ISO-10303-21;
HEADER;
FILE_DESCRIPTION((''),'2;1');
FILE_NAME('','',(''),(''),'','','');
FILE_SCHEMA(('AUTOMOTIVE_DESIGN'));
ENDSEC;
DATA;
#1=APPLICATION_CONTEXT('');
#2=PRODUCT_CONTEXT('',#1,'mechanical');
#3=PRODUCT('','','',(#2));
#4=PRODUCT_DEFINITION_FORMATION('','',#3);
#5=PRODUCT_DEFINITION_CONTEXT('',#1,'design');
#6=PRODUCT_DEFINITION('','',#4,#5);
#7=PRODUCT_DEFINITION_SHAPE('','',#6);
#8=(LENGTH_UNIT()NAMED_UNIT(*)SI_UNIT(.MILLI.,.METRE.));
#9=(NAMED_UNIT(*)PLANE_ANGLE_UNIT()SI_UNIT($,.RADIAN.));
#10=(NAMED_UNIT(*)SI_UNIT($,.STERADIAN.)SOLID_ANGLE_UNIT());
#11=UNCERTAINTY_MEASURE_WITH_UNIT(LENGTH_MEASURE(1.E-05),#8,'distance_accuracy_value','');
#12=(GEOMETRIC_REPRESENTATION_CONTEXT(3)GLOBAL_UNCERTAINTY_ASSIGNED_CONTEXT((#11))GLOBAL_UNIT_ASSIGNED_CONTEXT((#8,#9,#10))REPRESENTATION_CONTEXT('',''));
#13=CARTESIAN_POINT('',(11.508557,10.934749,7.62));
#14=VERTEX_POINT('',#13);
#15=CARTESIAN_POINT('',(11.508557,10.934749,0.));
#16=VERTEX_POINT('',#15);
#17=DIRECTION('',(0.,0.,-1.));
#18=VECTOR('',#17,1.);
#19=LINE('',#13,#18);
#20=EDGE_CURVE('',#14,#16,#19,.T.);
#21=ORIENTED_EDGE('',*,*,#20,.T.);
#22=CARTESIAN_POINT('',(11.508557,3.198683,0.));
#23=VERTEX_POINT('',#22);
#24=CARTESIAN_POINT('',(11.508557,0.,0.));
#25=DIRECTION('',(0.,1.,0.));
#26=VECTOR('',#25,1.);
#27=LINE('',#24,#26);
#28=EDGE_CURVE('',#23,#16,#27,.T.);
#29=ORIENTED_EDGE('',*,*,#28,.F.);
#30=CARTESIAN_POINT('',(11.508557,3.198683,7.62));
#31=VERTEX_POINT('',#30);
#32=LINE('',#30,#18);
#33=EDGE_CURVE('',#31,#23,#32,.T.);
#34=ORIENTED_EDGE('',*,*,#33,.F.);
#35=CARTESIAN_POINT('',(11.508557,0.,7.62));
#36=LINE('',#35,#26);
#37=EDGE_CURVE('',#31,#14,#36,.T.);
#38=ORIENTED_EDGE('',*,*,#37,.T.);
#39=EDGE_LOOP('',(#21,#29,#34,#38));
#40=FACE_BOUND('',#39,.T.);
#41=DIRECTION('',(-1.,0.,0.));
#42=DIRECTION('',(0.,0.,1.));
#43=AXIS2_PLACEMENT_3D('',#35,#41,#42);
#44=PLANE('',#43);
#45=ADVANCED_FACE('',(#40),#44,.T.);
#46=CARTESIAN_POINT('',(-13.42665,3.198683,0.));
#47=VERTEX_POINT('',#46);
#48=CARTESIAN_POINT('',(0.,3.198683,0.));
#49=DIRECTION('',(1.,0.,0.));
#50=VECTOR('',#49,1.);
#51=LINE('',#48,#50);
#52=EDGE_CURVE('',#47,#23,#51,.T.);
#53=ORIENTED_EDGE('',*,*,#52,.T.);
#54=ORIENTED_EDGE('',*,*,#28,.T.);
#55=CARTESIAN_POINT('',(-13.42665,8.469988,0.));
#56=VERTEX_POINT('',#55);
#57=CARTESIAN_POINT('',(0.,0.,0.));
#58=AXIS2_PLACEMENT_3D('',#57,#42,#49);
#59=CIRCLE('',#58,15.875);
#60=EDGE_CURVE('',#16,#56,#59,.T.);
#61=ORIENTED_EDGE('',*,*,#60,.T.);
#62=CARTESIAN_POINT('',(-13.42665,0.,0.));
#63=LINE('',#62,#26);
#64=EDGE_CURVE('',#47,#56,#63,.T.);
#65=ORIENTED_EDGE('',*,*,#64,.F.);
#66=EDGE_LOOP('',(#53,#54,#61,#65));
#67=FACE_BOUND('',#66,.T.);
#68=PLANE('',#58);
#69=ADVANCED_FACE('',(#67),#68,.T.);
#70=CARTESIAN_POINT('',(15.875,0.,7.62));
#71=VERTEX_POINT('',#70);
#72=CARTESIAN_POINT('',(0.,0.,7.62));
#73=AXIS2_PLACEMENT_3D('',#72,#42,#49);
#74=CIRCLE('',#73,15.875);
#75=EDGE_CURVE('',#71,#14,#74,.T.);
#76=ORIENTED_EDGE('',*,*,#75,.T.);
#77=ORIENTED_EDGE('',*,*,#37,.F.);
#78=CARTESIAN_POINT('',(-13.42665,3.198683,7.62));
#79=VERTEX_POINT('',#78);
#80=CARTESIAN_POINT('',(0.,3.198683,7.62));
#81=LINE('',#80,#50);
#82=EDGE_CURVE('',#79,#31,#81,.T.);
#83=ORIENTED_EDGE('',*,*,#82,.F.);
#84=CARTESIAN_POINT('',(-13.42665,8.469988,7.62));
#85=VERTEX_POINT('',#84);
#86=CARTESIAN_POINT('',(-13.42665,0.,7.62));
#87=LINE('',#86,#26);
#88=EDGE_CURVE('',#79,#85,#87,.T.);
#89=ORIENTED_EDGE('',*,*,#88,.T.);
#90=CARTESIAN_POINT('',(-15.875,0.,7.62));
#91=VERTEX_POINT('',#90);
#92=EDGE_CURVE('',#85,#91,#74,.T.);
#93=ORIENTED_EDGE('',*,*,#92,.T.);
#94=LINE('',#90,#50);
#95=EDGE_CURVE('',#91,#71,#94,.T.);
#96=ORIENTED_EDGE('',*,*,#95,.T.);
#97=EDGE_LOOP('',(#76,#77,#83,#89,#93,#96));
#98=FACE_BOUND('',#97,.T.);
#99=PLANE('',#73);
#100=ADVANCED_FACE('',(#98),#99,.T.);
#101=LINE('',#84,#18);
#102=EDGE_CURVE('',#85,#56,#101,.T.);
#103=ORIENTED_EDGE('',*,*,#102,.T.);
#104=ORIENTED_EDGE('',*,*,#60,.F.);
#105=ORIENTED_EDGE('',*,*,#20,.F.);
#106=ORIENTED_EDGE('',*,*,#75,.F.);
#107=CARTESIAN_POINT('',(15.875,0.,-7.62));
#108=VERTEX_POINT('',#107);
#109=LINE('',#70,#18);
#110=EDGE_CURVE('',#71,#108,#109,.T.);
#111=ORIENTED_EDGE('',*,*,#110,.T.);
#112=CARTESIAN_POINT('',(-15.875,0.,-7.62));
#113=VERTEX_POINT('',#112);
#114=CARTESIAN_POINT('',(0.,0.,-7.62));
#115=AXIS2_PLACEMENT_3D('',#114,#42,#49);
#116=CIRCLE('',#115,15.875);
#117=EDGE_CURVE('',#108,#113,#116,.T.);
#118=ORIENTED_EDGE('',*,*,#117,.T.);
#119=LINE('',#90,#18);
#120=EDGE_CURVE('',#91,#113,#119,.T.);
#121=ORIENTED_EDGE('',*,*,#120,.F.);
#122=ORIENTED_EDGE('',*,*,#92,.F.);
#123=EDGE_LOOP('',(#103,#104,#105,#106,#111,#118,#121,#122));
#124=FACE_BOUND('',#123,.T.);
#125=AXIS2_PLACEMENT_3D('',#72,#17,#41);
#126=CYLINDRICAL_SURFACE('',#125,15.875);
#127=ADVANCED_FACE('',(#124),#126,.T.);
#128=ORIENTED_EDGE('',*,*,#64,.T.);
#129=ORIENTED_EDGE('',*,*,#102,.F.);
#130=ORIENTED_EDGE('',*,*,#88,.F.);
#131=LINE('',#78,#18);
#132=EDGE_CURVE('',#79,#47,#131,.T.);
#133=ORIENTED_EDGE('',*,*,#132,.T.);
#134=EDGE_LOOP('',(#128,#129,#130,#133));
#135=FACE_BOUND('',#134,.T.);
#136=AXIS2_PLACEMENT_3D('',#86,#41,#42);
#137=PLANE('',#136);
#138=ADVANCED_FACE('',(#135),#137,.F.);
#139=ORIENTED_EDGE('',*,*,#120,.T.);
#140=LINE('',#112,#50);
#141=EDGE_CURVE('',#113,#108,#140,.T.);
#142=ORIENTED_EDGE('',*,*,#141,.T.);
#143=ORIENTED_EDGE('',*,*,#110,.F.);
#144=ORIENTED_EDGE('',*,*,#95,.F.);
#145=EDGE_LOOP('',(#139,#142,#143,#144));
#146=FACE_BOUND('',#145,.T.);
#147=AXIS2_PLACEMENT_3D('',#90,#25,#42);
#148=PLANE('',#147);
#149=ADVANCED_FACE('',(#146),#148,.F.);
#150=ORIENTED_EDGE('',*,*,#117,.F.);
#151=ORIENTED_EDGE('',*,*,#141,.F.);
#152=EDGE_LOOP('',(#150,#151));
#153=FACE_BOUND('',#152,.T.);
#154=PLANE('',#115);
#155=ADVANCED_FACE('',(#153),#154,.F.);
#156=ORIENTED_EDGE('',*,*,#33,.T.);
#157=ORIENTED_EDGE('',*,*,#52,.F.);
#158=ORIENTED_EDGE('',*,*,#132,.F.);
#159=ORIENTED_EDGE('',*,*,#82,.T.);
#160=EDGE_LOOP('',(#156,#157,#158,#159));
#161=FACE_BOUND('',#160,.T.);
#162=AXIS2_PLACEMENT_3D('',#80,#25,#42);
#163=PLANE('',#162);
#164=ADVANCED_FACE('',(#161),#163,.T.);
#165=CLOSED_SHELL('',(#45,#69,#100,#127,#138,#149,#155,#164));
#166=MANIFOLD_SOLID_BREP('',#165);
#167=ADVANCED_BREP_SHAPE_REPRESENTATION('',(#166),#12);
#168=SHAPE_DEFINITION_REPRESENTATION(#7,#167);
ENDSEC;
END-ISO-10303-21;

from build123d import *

# Parameters (mm, degrees)
BOSS_EXTRUDE1_DEPTH = 7.62
CUT_EXTRUDE1_DEPTH  = 24.708556472


with BuildPart() as part:
    # Sketch1 → Boss-Extrude1 (new, symmetric)
    with BuildSketch(Plane.XY):
        with BuildLine():
            Line((-15.875, 0), (15.875, 0))
            ThreePointArc((15.875, 0), (0, 15.875), (-15.875, 0))
        make_face()
    extrude(amount=BOSS_EXTRUDE1_DEPTH, both=True)

    # Sketch2 → Cut-Extrude1 (cut, through all)
    with BuildSketch(Plane.XY):
        with BuildLine():
            Line((-13.426650235, 8.469987513), (-13.426650235, 3.198682523))
            Line((-13.426650235, 3.198682523), (11.508557344, 3.198682523))
            Line((11.508557344, 3.198682523), (11.508557344, 10.93474887))
            ThreePointArc((11.508557344, 10.93474887), (-1.56158004, 15.79800914), (-13.426650235, 8.469987513))
        make_face()
    extrude(amount=CUT_EXTRUDE1_DEPTH, mode=Mode.SUBTRACT)


solid = part.part
